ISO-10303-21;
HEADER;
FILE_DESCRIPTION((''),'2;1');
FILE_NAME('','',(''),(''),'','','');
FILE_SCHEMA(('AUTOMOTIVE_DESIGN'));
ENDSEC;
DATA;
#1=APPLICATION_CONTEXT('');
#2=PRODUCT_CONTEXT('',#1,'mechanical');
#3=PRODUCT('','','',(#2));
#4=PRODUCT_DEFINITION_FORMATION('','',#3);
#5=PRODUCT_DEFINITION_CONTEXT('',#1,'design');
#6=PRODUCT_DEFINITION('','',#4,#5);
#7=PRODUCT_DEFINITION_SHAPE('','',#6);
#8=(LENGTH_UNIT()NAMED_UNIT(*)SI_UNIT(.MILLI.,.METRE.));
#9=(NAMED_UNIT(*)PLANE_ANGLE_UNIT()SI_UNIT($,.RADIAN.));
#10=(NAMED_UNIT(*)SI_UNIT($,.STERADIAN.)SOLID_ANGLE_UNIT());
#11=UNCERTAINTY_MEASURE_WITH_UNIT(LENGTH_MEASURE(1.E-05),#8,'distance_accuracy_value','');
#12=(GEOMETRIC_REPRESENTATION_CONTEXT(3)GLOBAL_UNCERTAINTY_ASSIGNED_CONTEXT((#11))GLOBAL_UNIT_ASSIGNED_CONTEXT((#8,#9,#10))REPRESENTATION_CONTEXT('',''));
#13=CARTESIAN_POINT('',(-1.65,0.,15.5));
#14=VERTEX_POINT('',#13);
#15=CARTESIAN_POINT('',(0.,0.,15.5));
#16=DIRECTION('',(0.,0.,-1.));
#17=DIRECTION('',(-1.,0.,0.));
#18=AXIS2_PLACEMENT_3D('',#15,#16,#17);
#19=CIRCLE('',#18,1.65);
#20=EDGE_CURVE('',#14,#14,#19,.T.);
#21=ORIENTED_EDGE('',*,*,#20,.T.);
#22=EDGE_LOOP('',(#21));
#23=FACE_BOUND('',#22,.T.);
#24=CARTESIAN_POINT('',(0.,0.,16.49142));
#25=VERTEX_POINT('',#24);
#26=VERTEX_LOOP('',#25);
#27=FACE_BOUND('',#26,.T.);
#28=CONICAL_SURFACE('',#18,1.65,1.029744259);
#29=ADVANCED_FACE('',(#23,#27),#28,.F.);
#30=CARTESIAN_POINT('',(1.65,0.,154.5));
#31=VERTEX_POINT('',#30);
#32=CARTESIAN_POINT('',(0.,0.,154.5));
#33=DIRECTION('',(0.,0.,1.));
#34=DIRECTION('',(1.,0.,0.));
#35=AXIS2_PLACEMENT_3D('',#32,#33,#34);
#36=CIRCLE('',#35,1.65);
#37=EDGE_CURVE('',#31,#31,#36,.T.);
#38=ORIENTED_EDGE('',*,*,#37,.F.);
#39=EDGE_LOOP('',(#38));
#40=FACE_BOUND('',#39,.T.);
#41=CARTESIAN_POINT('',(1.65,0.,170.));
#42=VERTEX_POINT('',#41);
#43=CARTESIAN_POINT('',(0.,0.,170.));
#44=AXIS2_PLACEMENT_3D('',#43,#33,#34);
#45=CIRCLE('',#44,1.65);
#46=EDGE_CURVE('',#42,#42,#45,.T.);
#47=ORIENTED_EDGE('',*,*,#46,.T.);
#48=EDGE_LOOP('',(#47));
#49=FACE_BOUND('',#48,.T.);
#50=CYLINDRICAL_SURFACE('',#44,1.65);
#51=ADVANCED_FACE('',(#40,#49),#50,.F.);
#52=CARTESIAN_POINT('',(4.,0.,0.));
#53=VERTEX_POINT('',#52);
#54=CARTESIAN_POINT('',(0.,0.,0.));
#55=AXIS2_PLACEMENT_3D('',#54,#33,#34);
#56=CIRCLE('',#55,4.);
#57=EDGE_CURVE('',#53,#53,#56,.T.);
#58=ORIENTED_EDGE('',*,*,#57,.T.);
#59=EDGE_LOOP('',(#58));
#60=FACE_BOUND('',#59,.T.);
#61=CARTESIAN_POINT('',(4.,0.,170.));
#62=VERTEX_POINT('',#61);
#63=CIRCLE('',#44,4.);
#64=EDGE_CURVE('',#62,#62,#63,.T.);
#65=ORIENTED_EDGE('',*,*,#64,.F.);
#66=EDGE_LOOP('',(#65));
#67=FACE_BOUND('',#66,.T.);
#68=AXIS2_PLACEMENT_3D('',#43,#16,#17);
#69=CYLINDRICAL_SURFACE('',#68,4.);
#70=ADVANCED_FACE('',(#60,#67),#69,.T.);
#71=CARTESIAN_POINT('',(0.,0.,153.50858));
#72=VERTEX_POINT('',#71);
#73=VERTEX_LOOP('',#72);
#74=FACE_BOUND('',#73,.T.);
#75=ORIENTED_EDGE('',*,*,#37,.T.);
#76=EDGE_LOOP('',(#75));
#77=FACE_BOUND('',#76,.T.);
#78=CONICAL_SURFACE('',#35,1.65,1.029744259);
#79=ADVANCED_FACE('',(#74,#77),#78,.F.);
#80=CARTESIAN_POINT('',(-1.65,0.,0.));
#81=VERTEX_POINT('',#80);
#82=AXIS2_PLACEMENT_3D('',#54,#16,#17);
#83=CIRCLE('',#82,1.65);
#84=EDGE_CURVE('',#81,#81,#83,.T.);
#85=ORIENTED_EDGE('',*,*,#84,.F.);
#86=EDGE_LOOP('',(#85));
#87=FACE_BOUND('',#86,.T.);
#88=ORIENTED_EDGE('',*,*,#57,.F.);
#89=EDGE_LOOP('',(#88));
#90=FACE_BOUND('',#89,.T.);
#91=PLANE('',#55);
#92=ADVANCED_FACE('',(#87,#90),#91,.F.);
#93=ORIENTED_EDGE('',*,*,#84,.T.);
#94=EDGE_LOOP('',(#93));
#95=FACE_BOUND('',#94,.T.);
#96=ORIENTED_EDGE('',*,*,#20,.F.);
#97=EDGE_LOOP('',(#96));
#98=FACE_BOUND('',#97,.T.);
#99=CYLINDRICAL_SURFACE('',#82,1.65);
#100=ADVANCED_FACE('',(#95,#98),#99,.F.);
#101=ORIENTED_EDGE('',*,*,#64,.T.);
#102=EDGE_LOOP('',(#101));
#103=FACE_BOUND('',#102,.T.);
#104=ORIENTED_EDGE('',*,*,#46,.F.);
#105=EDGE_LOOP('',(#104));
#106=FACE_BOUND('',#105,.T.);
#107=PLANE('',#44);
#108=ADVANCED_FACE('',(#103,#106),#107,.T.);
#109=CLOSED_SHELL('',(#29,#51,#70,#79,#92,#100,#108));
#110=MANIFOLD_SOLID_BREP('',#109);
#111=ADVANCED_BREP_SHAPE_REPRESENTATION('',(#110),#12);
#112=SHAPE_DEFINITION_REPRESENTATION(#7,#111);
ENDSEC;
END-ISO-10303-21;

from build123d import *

# Parameters (mm, degrees)
SKETCH_1_R             = 4
EXTRUDE_1_DEPTH        = 170
HOLE_WIZARD_M4_2_D     = 3.3
HOLE_WIZARD_M4_2_DEPTH = 15.5
HOLE_WIZARD_M4_2_TIP   = 0.991420021


with BuildPart() as part:
    # 草图1 → 凸台-拉伸1 (new body)
    with BuildSketch(Plane.XY):
        Circle(SKETCH_1_R)
    extrude(amount=EXTRUDE_1_DEPTH)

    # 草图5 → M4 螺纹孔1 (revolve, cut)
    with BuildSketch(Plane(origin=(0, 0, 170), x_dir=(0, -1, 0), z_dir=(1, 0, 0))):
        Polygon((0, 0), (0, 16.491420021), (1.65, 15.5), (1.65, 0), align=None)
    revolve(axis=Axis((0, 0, 176.35), (0, 0, -1)), mode=Mode.SUBTRACT)

    # M4 螺纹孔2
    with Locations(Plane(origin=(0, 0, 0), x_dir=(-1, 0, 0), z_dir=(0, 0, -1))):
        with Locations((0, 0)):
            Hole(HOLE_WIZARD_M4_2_D / 2, depth=HOLE_WIZARD_M4_2_DEPTH)
            with Locations((0, 0, -(HOLE_WIZARD_M4_2_DEPTH + HOLE_WIZARD_M4_2_TIP / 2))):  # 118° drill point
                Cone(0, HOLE_WIZARD_M4_2_D / 2, HOLE_WIZARD_M4_2_TIP, mode=Mode.SUBTRACT)


solid = part.part
